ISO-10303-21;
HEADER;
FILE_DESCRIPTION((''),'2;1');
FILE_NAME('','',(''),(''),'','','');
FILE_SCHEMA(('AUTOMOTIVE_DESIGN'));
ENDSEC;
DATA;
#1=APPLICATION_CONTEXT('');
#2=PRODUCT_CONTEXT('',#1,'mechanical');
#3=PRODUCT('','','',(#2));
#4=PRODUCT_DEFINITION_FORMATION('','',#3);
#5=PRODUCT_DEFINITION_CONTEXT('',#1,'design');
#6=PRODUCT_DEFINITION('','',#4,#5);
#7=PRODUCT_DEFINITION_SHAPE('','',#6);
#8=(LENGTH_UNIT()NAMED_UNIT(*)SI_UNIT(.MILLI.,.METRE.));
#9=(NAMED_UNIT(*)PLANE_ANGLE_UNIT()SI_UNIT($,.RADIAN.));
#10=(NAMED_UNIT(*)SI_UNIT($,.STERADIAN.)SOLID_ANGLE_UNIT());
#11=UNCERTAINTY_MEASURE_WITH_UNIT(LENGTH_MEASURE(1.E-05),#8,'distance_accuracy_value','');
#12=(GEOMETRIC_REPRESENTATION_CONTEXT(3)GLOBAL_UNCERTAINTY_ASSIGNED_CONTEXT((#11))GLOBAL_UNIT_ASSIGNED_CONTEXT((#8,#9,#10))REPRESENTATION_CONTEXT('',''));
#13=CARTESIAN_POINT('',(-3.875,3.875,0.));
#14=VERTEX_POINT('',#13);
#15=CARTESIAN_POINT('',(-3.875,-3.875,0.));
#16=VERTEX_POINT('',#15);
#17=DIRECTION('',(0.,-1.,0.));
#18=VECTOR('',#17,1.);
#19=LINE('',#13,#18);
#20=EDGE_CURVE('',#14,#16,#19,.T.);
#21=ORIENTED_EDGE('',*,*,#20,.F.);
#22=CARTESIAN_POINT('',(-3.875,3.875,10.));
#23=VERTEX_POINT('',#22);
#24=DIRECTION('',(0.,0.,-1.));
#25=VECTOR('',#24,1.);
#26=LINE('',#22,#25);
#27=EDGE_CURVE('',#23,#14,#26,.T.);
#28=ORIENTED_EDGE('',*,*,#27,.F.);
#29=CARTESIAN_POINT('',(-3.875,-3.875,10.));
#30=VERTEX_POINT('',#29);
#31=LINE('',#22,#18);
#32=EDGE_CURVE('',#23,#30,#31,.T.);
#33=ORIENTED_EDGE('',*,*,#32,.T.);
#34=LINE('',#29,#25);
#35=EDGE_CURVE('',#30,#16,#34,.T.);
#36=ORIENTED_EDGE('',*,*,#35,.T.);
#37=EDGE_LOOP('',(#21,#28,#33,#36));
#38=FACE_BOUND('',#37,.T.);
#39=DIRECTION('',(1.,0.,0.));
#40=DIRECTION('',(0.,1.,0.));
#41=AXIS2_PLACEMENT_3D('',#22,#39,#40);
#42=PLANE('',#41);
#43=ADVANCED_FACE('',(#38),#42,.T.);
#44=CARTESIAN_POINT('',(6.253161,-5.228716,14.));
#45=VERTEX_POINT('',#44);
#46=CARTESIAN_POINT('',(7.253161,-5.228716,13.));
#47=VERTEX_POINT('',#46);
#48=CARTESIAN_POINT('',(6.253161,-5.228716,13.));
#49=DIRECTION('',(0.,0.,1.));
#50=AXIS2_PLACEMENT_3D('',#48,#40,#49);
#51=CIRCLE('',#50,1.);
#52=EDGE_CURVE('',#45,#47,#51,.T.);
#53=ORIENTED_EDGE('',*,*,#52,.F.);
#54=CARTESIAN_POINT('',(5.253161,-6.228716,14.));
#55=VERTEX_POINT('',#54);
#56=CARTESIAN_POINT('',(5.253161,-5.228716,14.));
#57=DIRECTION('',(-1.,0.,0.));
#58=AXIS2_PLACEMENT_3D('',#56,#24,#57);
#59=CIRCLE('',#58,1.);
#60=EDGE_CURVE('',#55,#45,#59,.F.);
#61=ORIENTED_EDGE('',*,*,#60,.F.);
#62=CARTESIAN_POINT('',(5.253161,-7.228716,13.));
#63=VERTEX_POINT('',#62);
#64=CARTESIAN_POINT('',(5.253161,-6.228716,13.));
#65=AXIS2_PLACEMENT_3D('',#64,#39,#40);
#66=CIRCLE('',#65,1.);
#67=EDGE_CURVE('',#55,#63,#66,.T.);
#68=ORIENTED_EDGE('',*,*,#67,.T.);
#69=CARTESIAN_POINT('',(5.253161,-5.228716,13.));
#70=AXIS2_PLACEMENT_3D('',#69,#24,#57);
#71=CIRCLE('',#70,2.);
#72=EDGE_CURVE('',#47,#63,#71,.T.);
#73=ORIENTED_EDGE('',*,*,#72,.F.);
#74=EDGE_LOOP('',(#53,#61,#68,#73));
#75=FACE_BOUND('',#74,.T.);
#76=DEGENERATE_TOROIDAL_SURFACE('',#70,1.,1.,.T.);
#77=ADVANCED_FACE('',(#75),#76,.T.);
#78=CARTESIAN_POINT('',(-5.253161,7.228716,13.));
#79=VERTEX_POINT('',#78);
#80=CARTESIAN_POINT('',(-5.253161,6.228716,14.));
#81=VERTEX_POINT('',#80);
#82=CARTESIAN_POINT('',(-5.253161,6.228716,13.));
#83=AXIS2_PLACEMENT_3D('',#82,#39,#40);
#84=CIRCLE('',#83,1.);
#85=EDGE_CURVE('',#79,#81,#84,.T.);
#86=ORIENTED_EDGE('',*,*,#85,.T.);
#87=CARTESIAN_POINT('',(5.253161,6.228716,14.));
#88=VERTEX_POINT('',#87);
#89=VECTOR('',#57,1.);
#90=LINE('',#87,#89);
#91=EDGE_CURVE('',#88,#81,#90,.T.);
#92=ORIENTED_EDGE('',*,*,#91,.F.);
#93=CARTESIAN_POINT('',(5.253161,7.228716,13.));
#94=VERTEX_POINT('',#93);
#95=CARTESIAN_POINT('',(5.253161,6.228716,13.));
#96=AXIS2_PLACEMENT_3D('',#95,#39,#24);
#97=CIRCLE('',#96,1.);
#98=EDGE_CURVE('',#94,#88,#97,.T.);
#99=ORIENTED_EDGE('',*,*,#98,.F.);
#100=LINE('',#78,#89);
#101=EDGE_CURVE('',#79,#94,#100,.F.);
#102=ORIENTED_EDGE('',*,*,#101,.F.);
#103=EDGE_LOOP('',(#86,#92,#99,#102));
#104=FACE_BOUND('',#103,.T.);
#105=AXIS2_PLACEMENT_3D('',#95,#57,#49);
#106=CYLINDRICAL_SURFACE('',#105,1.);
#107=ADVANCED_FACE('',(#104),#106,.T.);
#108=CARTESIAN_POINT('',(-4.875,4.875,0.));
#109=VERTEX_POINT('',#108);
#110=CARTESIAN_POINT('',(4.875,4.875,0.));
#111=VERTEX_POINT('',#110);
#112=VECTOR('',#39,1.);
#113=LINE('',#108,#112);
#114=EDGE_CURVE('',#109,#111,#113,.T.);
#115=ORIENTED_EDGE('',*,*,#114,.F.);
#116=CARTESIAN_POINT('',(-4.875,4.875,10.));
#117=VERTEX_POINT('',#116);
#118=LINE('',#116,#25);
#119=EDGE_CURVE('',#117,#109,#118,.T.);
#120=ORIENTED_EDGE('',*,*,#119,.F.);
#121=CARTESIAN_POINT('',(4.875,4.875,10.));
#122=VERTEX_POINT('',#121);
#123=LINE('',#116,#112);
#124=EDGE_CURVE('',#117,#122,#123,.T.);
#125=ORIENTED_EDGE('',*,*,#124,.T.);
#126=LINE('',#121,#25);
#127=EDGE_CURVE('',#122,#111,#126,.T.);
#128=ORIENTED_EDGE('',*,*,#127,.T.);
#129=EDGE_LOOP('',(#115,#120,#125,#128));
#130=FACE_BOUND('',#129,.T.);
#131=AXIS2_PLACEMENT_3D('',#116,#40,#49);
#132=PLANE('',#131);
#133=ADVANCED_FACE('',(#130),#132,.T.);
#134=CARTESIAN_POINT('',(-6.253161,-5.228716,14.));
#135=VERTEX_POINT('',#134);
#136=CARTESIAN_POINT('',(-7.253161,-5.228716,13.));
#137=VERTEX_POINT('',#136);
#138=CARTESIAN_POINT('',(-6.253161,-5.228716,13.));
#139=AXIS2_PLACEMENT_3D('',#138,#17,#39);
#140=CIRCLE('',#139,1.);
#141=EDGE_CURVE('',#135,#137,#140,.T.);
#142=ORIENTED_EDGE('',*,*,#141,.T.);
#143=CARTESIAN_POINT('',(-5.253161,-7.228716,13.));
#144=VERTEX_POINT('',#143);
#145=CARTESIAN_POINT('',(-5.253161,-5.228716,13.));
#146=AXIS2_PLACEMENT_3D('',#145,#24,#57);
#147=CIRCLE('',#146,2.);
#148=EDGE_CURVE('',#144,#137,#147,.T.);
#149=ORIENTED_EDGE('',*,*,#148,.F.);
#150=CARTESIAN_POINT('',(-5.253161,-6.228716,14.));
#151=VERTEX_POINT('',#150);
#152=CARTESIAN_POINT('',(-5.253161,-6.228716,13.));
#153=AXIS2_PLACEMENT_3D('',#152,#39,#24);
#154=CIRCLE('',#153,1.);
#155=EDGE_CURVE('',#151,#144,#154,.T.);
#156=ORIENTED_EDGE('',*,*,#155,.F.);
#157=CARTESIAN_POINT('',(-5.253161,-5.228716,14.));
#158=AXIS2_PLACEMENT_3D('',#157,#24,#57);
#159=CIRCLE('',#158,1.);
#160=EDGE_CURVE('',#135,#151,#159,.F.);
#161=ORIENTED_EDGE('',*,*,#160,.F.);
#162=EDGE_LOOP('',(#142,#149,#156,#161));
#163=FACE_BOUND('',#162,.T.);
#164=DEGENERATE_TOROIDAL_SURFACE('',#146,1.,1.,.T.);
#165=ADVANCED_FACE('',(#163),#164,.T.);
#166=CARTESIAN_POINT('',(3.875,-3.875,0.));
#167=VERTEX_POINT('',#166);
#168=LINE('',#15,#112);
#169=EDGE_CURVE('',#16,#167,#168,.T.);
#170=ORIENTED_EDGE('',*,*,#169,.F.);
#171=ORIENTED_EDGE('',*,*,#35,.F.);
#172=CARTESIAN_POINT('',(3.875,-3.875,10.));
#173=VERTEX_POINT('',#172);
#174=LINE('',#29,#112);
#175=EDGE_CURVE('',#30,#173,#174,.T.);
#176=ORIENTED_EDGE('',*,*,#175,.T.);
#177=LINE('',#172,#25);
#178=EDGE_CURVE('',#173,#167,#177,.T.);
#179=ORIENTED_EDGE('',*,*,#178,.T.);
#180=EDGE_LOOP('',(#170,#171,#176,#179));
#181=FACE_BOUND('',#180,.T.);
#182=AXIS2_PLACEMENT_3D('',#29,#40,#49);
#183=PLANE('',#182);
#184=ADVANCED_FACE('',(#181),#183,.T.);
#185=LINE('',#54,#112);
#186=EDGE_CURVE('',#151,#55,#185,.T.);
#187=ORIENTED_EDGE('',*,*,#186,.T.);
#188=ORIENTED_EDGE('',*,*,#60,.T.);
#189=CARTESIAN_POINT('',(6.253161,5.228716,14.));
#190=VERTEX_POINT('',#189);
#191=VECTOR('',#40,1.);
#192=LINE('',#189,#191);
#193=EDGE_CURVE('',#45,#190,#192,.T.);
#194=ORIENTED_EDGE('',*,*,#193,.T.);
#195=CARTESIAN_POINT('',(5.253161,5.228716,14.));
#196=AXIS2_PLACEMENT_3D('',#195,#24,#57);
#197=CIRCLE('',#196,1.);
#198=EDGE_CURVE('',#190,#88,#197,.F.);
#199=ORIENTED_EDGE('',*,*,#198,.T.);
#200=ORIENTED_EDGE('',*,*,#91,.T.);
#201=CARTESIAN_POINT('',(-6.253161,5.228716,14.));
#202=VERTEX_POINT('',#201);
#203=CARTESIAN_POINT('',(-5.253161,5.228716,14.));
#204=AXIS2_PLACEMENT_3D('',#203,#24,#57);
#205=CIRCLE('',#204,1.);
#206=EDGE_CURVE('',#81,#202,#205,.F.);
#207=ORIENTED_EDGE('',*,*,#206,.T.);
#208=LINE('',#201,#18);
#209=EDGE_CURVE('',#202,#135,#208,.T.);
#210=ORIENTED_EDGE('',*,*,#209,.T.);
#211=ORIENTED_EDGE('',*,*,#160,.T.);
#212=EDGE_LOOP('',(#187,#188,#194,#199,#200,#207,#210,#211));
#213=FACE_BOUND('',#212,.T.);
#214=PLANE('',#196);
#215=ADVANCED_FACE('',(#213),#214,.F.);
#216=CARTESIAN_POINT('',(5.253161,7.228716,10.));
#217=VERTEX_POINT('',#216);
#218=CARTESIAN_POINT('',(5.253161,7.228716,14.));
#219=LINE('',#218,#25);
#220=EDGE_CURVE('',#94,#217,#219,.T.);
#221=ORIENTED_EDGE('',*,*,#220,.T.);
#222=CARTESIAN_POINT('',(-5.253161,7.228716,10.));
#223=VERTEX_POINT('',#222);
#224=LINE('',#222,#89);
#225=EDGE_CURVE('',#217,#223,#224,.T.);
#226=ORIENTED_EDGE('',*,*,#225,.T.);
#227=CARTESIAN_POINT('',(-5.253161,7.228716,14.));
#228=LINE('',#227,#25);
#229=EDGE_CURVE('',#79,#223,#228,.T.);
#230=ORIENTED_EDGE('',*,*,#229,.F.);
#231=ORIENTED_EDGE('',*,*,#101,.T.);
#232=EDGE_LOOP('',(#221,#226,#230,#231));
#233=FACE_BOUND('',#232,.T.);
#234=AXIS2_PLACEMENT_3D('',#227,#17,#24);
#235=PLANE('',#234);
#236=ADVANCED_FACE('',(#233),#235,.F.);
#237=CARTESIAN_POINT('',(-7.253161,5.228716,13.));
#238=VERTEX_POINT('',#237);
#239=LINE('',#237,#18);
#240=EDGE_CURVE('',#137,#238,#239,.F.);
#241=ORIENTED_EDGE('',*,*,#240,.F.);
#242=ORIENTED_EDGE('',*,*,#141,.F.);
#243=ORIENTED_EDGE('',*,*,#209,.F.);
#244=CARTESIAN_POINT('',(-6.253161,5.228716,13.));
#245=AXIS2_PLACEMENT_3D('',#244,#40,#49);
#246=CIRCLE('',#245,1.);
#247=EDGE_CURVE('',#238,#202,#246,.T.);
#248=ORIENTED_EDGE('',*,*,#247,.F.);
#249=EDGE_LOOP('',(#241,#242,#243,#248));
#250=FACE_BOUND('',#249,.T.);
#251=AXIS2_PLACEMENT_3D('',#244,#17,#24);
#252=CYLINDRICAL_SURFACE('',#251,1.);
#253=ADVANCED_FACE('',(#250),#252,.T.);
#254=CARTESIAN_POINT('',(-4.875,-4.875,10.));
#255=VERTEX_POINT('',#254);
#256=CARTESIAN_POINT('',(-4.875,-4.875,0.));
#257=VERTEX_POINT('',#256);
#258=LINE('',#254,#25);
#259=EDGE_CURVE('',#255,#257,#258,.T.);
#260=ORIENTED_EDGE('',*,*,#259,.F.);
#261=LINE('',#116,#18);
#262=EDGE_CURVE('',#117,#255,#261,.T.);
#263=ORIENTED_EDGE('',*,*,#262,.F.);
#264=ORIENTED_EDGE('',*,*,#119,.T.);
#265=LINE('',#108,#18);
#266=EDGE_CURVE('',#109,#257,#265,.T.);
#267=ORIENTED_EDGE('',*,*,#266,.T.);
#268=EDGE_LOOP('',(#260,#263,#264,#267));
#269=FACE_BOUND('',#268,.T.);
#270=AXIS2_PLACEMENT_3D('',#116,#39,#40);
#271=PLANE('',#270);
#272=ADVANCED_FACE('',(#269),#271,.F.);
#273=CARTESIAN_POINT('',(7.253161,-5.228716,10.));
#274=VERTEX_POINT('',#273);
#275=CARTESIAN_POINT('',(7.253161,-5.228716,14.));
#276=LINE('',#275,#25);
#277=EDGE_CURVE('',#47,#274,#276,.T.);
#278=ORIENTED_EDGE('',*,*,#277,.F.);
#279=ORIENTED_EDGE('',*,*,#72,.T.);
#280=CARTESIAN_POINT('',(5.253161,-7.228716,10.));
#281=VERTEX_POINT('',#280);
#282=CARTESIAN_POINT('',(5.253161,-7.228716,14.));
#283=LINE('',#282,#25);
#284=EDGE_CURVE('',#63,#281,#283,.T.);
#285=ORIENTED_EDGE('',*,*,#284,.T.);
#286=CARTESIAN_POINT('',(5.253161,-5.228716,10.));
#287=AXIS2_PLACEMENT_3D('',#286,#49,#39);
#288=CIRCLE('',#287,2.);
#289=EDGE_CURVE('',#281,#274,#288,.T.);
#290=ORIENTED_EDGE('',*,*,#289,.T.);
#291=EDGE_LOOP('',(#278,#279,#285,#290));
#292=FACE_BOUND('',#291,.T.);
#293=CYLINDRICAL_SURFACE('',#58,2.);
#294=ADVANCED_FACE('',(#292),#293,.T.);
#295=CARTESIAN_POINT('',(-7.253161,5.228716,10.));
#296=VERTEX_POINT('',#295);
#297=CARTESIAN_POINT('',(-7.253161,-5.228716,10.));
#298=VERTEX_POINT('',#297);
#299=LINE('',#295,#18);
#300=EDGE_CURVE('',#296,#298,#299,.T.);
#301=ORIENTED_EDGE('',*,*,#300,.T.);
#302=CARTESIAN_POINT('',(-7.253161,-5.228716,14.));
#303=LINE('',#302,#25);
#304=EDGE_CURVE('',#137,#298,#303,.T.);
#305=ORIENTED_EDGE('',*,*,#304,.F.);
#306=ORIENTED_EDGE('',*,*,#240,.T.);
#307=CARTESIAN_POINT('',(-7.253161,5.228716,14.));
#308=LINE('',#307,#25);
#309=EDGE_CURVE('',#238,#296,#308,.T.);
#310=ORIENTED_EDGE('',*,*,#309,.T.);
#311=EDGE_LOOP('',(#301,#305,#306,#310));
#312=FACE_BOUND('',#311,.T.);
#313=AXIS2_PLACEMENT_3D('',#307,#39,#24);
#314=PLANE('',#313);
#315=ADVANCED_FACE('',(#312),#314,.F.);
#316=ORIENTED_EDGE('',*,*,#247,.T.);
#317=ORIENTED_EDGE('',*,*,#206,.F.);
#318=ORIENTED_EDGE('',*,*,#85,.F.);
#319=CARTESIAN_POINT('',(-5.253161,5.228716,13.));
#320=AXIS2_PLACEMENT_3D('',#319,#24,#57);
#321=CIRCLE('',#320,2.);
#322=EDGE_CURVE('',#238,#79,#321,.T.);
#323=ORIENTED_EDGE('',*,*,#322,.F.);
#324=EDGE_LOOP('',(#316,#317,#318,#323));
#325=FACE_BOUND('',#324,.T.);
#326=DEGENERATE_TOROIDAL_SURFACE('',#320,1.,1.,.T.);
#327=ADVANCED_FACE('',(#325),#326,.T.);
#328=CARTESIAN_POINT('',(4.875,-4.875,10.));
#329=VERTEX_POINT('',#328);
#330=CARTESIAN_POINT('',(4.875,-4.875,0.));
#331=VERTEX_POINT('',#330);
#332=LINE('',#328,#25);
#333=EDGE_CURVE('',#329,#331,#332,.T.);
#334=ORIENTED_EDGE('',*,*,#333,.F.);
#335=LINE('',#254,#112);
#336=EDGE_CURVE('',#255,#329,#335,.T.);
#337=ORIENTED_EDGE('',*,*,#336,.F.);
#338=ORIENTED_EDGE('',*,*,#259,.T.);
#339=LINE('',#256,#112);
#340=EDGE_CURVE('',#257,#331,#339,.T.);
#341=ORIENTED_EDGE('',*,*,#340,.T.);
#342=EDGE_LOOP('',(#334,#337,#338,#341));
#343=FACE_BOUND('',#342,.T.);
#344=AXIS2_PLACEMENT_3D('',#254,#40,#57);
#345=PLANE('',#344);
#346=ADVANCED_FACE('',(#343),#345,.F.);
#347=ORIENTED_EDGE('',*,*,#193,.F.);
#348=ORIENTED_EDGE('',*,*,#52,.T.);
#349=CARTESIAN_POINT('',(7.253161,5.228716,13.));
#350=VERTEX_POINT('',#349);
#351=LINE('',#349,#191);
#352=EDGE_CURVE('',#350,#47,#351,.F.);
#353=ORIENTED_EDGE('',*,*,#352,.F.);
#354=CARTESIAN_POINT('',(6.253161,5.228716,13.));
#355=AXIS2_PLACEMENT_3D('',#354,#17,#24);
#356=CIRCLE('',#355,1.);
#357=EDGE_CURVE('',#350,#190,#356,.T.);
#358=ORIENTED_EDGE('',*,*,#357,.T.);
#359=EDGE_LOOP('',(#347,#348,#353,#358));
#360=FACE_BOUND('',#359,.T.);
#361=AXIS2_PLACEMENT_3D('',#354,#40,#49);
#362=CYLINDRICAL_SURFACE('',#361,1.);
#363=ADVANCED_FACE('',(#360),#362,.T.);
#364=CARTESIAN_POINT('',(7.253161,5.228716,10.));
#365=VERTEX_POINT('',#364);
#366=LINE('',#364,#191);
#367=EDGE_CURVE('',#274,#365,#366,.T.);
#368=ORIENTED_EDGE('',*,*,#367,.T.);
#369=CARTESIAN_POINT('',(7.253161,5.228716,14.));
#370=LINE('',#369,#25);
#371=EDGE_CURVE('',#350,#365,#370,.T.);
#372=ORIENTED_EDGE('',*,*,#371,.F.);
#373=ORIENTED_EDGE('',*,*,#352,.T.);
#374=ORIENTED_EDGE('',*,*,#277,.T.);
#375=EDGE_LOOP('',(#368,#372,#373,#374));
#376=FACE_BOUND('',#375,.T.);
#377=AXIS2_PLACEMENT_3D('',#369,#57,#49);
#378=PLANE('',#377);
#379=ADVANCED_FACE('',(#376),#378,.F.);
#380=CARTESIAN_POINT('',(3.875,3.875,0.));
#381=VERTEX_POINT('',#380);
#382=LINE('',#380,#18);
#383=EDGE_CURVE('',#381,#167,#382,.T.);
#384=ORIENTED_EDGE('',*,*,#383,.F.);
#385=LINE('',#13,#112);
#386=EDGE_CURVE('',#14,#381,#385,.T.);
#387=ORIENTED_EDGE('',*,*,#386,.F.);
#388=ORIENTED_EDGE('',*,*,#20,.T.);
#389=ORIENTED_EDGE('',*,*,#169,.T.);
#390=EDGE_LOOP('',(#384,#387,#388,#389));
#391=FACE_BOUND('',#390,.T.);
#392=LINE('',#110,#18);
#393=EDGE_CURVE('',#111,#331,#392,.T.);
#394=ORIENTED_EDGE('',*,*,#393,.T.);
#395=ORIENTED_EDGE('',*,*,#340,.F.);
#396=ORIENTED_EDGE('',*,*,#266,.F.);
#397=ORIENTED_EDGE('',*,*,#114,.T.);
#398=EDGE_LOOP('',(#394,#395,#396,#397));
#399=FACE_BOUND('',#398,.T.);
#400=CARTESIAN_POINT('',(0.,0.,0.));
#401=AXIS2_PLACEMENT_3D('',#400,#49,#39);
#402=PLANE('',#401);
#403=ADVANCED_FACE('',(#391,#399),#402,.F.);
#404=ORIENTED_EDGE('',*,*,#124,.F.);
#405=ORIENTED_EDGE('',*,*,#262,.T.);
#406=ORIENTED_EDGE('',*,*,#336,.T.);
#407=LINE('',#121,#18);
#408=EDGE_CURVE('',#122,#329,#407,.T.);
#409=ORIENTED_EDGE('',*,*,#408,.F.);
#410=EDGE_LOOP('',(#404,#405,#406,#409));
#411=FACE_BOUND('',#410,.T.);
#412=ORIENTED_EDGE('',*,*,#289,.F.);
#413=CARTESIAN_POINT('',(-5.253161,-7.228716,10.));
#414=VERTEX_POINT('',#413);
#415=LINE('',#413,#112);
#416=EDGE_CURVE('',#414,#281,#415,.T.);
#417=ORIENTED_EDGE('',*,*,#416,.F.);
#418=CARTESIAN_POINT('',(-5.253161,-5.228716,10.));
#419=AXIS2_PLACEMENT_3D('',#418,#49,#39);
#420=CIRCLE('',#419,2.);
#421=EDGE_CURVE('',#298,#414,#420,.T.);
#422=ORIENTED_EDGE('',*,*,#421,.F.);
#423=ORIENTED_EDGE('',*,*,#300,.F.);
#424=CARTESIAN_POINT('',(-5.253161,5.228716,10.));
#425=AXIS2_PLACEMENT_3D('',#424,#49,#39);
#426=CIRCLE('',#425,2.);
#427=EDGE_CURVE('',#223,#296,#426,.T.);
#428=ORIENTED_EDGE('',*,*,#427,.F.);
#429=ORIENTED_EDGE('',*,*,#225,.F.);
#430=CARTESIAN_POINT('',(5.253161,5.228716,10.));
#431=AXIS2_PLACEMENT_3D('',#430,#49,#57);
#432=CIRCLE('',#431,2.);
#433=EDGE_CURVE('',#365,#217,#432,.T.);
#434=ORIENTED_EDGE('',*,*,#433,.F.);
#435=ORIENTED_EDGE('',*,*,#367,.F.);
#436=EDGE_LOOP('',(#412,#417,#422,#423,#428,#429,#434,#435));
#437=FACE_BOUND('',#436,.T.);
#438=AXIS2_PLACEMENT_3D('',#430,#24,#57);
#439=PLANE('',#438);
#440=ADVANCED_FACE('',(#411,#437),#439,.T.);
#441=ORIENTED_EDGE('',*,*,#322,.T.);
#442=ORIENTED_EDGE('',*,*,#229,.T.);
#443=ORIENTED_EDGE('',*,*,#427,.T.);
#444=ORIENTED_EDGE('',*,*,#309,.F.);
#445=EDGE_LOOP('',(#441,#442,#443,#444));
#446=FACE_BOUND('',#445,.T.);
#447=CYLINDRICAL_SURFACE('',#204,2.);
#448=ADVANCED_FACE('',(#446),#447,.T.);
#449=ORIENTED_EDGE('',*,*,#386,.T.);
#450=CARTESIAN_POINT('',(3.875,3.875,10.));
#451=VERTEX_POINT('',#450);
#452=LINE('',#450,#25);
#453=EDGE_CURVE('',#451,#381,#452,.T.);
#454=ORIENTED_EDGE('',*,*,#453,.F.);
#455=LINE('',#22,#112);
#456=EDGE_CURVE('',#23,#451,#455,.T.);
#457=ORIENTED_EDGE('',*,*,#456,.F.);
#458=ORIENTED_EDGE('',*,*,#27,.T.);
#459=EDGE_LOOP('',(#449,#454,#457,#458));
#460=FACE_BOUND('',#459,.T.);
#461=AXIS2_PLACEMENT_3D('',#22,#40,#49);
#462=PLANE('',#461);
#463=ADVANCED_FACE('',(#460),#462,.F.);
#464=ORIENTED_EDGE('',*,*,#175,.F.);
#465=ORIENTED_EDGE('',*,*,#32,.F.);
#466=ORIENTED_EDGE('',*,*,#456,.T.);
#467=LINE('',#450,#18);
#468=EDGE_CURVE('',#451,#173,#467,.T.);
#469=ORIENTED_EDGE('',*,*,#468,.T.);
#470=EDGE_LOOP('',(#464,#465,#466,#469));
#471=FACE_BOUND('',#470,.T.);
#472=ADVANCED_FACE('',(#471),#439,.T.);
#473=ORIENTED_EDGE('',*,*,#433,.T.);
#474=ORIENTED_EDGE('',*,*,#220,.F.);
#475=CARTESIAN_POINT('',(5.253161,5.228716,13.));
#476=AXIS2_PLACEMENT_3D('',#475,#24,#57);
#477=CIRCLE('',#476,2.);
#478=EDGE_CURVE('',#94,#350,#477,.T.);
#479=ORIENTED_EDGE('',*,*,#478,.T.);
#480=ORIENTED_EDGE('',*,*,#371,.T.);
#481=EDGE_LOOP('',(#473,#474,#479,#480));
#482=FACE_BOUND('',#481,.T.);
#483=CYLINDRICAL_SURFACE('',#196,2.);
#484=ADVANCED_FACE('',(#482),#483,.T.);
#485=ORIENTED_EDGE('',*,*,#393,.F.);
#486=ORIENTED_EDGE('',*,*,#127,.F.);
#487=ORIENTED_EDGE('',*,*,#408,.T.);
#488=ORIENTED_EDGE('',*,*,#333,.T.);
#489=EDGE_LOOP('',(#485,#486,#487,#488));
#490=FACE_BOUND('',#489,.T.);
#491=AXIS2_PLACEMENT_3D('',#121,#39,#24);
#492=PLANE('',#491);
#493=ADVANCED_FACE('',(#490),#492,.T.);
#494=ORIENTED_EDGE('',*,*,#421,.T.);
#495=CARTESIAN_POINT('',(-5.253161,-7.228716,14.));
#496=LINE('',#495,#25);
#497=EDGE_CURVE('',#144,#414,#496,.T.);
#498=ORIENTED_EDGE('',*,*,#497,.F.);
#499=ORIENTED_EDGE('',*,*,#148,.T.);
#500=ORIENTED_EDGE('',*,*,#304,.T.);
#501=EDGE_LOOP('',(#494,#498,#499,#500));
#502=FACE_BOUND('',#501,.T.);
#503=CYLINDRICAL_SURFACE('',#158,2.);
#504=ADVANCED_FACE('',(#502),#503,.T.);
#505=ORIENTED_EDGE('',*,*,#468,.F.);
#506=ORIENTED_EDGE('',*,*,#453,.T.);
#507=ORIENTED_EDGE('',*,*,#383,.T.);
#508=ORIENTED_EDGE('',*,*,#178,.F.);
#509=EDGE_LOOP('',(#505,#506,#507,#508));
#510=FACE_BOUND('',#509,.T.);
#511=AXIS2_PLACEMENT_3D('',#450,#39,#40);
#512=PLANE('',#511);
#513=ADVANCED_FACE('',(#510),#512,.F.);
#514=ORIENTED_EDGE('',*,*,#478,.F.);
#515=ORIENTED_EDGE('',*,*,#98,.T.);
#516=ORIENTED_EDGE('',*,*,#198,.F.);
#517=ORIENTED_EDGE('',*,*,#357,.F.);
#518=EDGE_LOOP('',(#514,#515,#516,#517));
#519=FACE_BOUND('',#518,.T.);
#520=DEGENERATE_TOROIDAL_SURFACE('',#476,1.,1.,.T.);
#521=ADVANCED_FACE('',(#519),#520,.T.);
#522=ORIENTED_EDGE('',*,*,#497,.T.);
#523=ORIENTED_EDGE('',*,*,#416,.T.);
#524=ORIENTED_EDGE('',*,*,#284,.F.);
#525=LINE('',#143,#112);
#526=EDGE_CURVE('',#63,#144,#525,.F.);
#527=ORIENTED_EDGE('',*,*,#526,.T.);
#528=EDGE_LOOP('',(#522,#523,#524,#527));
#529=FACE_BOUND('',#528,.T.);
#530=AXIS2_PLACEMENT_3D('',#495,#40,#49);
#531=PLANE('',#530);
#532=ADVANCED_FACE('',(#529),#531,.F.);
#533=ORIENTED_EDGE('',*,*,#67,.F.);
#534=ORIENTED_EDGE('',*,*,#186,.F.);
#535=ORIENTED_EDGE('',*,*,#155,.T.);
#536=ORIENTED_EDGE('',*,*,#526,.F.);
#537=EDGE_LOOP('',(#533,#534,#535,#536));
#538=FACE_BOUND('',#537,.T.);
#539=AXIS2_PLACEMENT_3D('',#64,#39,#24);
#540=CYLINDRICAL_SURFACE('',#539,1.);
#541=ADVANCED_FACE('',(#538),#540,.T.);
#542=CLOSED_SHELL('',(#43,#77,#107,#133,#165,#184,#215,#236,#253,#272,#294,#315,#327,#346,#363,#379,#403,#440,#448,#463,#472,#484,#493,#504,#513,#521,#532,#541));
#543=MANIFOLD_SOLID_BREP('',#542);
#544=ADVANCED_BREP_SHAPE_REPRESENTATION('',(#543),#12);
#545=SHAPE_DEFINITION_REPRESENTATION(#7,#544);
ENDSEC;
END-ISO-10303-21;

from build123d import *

# Parameters (mm, degrees)
SKETCH1_W           = 9.75
SKETCH1_H           = 9.75
SKETCH1_W_2         = 7.75
SKETCH1_H_2         = 7.75
BOSS_EXTRUDE1_DEPTH = 10
BOSS_EXTRUDE2_DEPTH = 4
FILLET1_R           = 1


with BuildPart() as part:
    # Sketch1 → Boss-Extrude1 (new body)
    with BuildSketch(Plane.XY):
        Rectangle(SKETCH1_W, SKETCH1_H)
        Rectangle(SKETCH1_W_2, SKETCH1_H_2, mode=Mode.SUBTRACT)
    extrude(amount=BOSS_EXTRUDE1_DEPTH)

    # Sketch2 → Boss-Extrude2 (add)
    with BuildSketch(Plane.XY.offset(10)):
        with BuildLine():
            Line((-5.253161089, 7.228716278), (5.253161089, 7.228716278))
            ThreePointArc((5.253161089, 7.228716278), (6.667374652, 6.64292984), (7.253161089, 5.228716278))
            Line((7.253161089, 5.228716278), (7.253161089, -5.228716278))
            ThreePointArc((7.253161089, -5.228716278), (6.667374652, -6.64292984), (5.253161089, -7.228716278))
            Line((5.253161089, -7.228716278), (-5.253161089, -7.228716278))
            ThreePointArc((-5.253161089, -7.228716278), (-6.667374652, -6.64292984), (-7.253161089, -5.228716278))
            Line((-7.253161089, -5.228716278), (-7.253161089, 5.228716278))
            ThreePointArc((-7.253161089, 5.228716278), (-6.667374652, 6.64292984), (-5.253161089, 7.228716278))
        make_face()
    extrude(amount=BOSS_EXTRUDE2_DEPTH)

    # Fillet1
    fillet1_edges = [part.edges().sort_by_distance(p)[0] for p in [
        (6.667374652, 6.64292984, 14),
        (0, 7.228716278, 14),
        (-6.667374652, 6.64292984, 14),
        (-7.253161089, 0, 14),
        (-6.667374652, -6.64292984, 14),
        (0, -7.228716278, 14),
        (6.667374652, -6.64292984, 14),
        (7.253161089, 0, 14),
    ]]
    fillet(fillet1_edges, radius=FILLET1_R)


solid = part.part
